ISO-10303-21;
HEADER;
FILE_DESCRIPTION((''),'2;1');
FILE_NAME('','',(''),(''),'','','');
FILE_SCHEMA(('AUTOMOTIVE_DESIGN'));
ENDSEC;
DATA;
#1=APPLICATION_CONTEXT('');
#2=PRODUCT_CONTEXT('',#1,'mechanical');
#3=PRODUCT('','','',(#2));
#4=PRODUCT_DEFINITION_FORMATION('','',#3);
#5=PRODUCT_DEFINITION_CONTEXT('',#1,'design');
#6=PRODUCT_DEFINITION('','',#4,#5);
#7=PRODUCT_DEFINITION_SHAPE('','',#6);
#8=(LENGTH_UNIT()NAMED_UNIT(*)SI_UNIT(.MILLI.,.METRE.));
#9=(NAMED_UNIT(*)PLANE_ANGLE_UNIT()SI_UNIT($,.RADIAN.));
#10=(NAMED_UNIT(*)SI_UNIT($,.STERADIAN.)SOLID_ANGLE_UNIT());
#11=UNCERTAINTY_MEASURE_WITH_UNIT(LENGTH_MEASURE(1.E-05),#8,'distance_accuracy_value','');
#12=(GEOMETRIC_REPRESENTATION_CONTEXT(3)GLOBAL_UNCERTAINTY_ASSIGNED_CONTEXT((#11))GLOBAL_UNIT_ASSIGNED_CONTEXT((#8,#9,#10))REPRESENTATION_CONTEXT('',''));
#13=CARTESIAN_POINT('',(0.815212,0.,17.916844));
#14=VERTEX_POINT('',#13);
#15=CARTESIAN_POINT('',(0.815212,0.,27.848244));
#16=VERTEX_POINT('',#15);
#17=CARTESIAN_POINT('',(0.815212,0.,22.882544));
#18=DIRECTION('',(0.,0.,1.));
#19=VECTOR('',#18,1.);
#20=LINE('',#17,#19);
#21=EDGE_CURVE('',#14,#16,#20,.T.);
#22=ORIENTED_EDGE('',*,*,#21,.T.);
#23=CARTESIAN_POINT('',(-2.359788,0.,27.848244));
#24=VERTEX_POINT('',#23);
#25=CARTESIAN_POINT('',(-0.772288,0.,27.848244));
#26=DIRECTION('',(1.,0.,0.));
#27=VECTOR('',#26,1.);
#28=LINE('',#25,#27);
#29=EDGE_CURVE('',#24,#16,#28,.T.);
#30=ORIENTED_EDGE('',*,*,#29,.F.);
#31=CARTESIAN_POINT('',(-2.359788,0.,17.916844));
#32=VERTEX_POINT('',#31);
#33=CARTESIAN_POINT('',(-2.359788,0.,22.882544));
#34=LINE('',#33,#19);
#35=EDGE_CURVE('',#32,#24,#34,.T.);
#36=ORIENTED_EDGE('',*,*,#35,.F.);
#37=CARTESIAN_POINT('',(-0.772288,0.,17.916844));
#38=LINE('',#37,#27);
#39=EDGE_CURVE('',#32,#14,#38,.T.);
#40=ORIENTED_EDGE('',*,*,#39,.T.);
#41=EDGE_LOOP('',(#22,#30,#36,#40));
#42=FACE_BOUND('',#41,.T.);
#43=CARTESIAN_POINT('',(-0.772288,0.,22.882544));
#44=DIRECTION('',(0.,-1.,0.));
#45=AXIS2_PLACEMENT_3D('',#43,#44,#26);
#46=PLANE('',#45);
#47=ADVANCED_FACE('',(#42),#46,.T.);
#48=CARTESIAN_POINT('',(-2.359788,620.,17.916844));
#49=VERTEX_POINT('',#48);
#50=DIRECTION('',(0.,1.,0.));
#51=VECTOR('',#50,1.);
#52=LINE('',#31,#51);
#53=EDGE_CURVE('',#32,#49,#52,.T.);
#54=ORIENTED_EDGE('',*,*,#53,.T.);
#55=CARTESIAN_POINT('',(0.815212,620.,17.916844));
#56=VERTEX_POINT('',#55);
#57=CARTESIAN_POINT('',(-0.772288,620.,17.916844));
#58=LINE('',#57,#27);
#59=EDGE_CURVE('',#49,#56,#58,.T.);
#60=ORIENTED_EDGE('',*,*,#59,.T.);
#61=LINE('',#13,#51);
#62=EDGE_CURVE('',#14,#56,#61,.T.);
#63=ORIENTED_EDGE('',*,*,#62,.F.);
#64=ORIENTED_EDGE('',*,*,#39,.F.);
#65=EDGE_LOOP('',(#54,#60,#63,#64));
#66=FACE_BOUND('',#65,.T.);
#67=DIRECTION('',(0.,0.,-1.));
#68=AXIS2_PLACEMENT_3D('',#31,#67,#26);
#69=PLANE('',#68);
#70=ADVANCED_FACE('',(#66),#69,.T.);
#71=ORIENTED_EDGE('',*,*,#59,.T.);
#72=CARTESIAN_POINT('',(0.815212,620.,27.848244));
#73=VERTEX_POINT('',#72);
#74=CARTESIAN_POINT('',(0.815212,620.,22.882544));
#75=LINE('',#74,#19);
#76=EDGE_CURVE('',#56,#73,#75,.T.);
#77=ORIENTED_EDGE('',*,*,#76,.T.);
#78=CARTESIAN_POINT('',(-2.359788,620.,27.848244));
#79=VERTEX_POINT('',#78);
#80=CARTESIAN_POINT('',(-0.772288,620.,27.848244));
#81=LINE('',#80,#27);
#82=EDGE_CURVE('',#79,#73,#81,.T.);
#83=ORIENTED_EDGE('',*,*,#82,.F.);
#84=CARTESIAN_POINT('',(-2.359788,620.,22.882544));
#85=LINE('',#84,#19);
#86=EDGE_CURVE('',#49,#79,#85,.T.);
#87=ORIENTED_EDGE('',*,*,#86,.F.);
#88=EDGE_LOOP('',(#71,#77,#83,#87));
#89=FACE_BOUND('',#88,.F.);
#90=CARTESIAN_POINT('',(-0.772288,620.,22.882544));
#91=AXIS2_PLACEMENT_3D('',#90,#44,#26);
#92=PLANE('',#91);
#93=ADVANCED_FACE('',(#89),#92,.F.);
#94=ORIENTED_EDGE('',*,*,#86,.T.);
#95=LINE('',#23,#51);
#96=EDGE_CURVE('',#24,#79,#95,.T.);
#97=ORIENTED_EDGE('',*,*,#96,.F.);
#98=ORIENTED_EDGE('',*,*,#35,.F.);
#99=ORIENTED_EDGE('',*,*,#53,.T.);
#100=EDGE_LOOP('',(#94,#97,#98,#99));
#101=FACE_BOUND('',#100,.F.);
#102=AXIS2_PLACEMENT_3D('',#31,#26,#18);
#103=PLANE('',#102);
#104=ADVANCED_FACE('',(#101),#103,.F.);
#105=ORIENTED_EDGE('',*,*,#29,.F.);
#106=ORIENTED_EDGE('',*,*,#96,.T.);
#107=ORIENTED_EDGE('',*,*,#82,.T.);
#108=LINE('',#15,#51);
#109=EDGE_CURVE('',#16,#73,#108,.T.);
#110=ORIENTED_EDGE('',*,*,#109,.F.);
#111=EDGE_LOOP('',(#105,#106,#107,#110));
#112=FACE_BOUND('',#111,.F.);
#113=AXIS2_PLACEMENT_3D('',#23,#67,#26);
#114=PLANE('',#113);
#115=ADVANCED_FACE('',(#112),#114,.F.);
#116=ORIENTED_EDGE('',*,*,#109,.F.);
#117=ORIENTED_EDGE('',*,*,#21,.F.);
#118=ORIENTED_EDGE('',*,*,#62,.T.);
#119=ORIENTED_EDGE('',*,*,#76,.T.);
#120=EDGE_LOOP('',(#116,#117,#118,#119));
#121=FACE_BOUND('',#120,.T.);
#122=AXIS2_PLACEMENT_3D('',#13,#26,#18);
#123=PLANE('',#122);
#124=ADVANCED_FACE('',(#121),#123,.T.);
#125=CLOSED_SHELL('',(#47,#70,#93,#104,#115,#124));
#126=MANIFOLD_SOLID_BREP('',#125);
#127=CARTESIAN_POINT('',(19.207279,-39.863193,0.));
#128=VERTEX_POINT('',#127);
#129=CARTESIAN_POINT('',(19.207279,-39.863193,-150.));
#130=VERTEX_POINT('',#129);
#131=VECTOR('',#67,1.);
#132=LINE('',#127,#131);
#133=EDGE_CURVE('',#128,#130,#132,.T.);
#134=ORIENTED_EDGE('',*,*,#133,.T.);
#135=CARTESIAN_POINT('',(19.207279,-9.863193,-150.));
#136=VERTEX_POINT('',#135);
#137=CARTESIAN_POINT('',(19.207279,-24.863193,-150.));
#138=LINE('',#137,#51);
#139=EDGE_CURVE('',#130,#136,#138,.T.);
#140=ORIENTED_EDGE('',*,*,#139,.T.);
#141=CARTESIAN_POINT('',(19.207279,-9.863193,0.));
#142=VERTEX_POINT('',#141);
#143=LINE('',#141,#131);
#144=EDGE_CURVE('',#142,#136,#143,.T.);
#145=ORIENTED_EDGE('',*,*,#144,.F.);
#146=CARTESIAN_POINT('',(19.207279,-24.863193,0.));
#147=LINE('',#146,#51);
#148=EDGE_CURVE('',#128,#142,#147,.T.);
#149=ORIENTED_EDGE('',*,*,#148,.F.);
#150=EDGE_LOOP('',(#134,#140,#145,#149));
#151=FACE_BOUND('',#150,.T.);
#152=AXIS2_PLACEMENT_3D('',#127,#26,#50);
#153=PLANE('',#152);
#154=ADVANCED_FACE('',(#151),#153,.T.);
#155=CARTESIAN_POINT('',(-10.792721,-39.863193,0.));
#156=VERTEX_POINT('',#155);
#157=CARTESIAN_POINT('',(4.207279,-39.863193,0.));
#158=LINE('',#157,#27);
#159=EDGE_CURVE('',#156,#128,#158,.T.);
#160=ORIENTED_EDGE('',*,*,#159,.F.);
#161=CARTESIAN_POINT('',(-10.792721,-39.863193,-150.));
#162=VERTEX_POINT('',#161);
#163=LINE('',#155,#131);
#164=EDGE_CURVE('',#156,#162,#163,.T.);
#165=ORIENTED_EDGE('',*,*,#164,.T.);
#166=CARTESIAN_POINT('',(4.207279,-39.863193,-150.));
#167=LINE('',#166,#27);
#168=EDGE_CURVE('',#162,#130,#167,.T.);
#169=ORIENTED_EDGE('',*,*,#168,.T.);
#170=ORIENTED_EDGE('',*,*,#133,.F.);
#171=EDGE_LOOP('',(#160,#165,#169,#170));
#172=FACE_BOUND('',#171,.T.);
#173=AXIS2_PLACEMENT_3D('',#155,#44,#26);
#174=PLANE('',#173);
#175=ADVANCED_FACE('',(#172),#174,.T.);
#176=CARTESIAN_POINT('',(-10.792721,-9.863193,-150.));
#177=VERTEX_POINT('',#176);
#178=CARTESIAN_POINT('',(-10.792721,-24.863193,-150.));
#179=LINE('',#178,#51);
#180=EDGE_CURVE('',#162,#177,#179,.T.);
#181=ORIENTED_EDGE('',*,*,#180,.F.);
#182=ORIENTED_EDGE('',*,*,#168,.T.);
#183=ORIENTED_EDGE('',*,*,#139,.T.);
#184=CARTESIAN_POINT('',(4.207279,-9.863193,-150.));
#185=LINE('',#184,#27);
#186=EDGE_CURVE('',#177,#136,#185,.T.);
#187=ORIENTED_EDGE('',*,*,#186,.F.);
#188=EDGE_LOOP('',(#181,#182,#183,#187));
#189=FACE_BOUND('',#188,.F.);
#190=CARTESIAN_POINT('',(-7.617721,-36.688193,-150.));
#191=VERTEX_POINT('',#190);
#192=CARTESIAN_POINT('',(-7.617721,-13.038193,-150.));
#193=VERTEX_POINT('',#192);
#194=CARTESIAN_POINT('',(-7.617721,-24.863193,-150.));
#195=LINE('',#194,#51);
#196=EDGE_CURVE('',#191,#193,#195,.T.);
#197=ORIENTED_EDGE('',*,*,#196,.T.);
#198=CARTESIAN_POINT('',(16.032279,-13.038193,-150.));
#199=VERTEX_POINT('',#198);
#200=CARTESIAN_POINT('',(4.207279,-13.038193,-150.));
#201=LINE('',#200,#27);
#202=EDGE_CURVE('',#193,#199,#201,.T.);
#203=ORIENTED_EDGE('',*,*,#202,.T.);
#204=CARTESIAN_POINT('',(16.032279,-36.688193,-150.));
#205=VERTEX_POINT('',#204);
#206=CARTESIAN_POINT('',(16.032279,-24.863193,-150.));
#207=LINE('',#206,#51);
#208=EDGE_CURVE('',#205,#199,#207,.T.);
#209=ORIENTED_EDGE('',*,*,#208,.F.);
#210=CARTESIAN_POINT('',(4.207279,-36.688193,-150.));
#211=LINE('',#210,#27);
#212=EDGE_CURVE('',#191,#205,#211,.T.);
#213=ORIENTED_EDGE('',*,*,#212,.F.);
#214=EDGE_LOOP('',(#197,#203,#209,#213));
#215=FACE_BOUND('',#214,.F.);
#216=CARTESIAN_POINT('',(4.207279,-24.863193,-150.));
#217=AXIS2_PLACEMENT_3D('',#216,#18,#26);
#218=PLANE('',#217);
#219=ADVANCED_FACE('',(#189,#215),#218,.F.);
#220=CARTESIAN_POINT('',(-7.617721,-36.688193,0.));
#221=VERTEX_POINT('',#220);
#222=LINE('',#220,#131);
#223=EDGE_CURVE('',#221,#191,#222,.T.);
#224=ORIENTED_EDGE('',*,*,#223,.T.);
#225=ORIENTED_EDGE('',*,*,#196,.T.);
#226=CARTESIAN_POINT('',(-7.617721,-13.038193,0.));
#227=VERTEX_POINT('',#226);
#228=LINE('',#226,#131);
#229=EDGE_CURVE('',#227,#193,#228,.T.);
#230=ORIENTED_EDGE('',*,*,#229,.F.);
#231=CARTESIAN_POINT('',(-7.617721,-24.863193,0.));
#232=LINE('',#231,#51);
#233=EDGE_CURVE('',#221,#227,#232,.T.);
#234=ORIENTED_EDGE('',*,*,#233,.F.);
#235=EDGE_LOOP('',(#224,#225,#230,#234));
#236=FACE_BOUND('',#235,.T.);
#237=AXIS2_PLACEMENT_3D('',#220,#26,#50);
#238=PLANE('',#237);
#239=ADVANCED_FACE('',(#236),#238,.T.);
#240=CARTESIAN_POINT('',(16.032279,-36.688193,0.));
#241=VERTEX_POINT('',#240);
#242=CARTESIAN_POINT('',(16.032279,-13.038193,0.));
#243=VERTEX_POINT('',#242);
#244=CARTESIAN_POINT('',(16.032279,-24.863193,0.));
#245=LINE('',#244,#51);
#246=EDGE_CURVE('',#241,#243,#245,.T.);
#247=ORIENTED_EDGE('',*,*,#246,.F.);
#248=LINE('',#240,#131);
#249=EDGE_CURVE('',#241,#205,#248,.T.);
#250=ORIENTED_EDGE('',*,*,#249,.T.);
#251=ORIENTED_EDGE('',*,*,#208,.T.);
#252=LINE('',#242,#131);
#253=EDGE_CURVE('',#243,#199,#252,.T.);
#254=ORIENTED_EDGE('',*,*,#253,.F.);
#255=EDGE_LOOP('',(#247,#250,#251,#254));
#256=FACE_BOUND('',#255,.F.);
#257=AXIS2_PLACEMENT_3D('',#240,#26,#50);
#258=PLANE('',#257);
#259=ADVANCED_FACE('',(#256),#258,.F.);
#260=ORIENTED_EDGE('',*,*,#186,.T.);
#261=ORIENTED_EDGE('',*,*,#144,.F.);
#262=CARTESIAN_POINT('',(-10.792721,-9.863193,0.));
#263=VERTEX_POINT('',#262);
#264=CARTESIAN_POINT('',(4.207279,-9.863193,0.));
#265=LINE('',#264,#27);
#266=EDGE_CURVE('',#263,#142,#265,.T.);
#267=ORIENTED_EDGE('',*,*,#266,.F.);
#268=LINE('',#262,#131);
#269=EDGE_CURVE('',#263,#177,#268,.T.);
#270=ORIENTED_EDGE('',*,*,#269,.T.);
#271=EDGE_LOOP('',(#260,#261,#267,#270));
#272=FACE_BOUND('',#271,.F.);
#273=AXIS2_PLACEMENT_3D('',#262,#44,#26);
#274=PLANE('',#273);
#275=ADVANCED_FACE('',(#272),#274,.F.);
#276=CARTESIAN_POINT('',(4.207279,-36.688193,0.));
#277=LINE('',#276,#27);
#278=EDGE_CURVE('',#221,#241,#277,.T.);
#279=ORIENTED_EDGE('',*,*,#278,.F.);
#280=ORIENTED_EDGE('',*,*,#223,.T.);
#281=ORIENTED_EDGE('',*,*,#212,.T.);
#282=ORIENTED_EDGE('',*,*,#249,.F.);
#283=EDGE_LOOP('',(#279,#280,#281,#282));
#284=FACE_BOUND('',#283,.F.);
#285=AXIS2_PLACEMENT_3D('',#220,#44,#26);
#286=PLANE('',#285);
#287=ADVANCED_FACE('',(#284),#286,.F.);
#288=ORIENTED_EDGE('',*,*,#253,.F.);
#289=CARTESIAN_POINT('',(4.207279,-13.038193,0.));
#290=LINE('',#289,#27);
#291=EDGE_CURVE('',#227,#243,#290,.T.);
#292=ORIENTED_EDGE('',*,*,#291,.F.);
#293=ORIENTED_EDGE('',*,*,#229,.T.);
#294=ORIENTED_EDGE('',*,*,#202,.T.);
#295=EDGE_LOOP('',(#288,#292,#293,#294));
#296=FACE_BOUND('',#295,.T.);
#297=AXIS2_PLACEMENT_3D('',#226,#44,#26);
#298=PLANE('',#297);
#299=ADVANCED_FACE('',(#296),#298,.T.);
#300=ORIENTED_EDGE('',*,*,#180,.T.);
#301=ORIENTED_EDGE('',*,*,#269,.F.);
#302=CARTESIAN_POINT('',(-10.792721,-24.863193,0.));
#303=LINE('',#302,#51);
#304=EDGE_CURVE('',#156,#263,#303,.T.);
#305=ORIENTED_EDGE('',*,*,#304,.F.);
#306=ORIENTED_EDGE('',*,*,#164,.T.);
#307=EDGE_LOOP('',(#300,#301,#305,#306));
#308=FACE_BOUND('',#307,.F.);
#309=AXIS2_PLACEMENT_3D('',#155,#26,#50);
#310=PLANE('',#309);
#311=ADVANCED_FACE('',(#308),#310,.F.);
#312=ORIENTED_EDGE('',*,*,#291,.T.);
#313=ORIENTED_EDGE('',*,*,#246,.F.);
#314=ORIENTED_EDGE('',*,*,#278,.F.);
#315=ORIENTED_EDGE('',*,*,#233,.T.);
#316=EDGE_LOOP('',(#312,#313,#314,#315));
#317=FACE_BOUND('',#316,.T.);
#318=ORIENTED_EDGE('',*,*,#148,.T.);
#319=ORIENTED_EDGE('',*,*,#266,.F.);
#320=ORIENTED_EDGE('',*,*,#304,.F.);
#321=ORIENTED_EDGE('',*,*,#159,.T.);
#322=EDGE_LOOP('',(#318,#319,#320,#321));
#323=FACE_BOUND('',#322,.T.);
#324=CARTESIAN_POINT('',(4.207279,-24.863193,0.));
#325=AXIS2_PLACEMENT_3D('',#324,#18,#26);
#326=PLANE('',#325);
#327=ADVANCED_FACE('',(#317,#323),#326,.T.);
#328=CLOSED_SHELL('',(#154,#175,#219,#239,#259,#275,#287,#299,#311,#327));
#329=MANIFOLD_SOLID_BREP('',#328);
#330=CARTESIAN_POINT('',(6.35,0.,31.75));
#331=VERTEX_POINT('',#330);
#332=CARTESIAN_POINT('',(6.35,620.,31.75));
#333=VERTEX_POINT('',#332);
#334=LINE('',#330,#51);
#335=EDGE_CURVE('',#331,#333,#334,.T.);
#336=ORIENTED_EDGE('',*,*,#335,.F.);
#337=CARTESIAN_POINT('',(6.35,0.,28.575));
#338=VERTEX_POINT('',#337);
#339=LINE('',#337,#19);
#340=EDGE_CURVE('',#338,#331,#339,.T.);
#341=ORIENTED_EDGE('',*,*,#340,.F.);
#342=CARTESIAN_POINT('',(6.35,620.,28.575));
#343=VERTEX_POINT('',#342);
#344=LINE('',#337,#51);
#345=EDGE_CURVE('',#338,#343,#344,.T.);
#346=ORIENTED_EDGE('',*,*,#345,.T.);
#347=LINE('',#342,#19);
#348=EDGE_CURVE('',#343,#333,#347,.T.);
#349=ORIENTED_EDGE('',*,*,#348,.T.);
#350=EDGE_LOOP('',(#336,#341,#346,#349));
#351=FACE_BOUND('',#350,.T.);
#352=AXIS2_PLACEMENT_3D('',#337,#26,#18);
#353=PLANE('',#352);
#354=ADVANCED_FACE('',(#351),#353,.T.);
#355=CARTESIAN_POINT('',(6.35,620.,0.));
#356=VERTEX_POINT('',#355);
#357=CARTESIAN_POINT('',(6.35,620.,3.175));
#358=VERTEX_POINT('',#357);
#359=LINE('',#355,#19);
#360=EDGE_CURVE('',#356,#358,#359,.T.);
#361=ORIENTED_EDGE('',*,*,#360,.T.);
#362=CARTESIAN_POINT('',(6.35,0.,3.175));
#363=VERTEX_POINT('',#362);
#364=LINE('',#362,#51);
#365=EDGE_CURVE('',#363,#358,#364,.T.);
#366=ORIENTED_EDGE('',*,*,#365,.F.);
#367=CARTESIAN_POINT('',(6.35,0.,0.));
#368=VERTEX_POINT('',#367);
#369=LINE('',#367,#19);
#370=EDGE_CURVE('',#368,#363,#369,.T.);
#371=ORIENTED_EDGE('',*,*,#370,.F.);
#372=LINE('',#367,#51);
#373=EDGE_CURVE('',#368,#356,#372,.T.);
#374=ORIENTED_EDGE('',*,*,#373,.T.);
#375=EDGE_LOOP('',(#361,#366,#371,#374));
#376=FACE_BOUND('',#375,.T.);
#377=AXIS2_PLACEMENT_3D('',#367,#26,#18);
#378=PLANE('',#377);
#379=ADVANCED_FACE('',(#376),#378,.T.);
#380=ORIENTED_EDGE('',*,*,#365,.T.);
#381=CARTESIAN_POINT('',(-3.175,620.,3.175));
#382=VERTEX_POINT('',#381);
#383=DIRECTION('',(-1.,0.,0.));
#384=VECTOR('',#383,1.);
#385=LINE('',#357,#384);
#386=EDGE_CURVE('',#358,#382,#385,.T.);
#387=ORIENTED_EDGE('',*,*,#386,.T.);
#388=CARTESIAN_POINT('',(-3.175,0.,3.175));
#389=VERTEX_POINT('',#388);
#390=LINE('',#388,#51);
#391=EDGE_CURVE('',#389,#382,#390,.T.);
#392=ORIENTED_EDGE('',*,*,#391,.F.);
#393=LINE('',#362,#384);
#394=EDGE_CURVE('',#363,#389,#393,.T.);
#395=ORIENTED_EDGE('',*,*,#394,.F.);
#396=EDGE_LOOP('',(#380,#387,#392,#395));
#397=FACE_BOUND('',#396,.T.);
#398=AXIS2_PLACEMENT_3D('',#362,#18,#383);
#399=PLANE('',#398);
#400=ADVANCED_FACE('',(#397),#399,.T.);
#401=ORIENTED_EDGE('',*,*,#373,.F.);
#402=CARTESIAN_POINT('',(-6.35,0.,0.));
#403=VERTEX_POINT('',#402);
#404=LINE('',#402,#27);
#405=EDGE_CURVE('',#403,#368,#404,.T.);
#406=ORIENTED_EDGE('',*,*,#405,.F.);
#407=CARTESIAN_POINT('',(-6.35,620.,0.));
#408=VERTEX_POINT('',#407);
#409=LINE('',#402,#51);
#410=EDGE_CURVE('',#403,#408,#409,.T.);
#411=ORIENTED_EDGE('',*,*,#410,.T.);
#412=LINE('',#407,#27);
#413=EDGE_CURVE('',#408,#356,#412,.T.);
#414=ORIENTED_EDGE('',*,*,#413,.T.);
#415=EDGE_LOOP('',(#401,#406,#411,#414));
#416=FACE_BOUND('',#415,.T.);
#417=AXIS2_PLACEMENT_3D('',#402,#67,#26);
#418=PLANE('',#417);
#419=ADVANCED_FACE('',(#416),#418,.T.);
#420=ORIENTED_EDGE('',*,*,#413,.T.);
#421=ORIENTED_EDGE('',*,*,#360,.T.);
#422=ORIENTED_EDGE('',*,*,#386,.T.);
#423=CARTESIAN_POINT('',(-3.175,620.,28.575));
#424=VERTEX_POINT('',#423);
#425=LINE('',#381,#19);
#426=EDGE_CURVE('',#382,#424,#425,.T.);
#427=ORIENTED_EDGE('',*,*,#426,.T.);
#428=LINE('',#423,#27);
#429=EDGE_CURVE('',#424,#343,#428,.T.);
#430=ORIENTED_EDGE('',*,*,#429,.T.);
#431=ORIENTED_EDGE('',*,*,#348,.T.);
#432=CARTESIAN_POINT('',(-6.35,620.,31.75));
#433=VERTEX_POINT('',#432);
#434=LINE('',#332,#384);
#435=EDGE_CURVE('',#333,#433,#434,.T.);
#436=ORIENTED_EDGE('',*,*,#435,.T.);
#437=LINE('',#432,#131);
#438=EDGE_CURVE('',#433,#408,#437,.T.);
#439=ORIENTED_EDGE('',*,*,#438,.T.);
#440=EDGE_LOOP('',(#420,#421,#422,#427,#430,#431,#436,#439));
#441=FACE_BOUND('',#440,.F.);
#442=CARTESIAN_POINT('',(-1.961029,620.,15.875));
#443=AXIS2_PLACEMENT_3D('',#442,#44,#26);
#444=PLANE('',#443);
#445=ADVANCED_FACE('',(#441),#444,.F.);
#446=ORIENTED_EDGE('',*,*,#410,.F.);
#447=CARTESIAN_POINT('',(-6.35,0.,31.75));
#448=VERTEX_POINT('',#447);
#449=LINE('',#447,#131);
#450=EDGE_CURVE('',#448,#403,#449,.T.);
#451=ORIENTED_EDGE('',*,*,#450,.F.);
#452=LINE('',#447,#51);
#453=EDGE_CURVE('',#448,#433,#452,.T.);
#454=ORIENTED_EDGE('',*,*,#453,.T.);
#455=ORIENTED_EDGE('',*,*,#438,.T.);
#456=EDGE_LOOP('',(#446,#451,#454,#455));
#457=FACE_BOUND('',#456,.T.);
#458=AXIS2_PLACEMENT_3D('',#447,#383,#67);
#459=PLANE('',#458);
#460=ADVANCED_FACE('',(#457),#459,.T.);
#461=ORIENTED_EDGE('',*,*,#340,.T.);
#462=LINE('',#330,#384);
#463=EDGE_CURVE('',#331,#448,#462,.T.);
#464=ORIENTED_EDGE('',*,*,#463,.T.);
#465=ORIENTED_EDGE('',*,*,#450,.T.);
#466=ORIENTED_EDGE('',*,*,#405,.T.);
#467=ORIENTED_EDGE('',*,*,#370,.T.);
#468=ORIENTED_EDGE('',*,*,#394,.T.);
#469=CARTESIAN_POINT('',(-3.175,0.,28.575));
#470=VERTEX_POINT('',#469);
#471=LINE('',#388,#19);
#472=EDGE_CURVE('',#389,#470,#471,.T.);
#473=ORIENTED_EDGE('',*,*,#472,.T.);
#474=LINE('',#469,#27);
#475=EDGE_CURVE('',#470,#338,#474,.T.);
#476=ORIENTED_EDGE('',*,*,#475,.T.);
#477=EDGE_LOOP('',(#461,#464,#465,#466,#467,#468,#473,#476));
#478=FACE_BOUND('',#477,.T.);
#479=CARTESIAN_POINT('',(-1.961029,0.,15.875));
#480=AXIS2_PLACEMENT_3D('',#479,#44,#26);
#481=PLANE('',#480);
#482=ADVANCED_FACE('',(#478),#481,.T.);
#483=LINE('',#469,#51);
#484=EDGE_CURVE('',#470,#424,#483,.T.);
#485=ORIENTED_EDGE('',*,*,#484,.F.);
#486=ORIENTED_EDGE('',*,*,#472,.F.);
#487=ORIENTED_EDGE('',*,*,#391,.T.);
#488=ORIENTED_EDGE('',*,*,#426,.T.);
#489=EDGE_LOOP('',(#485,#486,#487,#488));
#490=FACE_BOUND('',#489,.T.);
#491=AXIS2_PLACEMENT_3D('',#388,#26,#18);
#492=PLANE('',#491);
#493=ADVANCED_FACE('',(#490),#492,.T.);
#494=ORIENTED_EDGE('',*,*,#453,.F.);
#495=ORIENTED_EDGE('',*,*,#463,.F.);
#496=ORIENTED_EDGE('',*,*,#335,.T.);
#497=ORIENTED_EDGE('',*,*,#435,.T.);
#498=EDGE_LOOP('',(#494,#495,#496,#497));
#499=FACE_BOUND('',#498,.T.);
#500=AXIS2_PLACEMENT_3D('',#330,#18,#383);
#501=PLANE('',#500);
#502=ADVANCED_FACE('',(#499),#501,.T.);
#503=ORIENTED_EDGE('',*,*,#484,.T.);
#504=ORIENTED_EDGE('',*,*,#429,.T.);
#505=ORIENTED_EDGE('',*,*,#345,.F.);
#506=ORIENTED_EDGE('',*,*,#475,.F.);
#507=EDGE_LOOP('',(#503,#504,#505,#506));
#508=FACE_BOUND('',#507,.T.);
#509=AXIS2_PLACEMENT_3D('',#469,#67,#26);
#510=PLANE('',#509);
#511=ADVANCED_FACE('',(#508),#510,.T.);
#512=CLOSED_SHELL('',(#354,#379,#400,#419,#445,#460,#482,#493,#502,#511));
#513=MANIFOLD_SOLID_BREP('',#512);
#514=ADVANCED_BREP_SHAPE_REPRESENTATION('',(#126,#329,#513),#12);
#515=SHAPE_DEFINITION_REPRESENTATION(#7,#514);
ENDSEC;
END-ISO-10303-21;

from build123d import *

# Parameters (mm, degrees)
F2_DEPTH = 620
F1_W     = 3.175
F1_H     = 9.9314
F3_DEPTH = 620
F4_W     = 30
F4_H     = 30
F4_W_2   = 23.65
F4_H_2   = 23.65
F5_DEPTH = 150


with BuildPart() as f2:
    # F0 (on Front) → F2 (new body)
    with BuildSketch(Plane.XZ):
        Polygon((6.35, 31.75), (-6.35, 31.75), (-6.35, 0), (6.35, 0), (6.35, 3.175), (-3.175, 3.175), (-3.175, 28.575), (6.35, 28.575), align=None)
    extrude(amount=-F2_DEPTH)


with BuildPart() as f3:
    # F1 (on Front) → F3 (new body)
    with BuildSketch(Plane.XZ):
        with Locations((-0.772288, 22.882544)):
            Rectangle(F1_W, F1_H)
    extrude(amount=-F3_DEPTH)


with BuildPart() as f5:
    # F4 (on Top) → F5 (new body)
    with BuildSketch(Plane.XY):
        with Locations((4.207279, -24.863193)):
            Rectangle(F4_W, F4_H)
        with Locations((4.207279, -24.863193)):
            Rectangle(F4_W_2, F4_H_2, mode=Mode.SUBTRACT)
    extrude(amount=-F5_DEPTH)


solid = Compound([f2.part, f3.part, f5.part])
